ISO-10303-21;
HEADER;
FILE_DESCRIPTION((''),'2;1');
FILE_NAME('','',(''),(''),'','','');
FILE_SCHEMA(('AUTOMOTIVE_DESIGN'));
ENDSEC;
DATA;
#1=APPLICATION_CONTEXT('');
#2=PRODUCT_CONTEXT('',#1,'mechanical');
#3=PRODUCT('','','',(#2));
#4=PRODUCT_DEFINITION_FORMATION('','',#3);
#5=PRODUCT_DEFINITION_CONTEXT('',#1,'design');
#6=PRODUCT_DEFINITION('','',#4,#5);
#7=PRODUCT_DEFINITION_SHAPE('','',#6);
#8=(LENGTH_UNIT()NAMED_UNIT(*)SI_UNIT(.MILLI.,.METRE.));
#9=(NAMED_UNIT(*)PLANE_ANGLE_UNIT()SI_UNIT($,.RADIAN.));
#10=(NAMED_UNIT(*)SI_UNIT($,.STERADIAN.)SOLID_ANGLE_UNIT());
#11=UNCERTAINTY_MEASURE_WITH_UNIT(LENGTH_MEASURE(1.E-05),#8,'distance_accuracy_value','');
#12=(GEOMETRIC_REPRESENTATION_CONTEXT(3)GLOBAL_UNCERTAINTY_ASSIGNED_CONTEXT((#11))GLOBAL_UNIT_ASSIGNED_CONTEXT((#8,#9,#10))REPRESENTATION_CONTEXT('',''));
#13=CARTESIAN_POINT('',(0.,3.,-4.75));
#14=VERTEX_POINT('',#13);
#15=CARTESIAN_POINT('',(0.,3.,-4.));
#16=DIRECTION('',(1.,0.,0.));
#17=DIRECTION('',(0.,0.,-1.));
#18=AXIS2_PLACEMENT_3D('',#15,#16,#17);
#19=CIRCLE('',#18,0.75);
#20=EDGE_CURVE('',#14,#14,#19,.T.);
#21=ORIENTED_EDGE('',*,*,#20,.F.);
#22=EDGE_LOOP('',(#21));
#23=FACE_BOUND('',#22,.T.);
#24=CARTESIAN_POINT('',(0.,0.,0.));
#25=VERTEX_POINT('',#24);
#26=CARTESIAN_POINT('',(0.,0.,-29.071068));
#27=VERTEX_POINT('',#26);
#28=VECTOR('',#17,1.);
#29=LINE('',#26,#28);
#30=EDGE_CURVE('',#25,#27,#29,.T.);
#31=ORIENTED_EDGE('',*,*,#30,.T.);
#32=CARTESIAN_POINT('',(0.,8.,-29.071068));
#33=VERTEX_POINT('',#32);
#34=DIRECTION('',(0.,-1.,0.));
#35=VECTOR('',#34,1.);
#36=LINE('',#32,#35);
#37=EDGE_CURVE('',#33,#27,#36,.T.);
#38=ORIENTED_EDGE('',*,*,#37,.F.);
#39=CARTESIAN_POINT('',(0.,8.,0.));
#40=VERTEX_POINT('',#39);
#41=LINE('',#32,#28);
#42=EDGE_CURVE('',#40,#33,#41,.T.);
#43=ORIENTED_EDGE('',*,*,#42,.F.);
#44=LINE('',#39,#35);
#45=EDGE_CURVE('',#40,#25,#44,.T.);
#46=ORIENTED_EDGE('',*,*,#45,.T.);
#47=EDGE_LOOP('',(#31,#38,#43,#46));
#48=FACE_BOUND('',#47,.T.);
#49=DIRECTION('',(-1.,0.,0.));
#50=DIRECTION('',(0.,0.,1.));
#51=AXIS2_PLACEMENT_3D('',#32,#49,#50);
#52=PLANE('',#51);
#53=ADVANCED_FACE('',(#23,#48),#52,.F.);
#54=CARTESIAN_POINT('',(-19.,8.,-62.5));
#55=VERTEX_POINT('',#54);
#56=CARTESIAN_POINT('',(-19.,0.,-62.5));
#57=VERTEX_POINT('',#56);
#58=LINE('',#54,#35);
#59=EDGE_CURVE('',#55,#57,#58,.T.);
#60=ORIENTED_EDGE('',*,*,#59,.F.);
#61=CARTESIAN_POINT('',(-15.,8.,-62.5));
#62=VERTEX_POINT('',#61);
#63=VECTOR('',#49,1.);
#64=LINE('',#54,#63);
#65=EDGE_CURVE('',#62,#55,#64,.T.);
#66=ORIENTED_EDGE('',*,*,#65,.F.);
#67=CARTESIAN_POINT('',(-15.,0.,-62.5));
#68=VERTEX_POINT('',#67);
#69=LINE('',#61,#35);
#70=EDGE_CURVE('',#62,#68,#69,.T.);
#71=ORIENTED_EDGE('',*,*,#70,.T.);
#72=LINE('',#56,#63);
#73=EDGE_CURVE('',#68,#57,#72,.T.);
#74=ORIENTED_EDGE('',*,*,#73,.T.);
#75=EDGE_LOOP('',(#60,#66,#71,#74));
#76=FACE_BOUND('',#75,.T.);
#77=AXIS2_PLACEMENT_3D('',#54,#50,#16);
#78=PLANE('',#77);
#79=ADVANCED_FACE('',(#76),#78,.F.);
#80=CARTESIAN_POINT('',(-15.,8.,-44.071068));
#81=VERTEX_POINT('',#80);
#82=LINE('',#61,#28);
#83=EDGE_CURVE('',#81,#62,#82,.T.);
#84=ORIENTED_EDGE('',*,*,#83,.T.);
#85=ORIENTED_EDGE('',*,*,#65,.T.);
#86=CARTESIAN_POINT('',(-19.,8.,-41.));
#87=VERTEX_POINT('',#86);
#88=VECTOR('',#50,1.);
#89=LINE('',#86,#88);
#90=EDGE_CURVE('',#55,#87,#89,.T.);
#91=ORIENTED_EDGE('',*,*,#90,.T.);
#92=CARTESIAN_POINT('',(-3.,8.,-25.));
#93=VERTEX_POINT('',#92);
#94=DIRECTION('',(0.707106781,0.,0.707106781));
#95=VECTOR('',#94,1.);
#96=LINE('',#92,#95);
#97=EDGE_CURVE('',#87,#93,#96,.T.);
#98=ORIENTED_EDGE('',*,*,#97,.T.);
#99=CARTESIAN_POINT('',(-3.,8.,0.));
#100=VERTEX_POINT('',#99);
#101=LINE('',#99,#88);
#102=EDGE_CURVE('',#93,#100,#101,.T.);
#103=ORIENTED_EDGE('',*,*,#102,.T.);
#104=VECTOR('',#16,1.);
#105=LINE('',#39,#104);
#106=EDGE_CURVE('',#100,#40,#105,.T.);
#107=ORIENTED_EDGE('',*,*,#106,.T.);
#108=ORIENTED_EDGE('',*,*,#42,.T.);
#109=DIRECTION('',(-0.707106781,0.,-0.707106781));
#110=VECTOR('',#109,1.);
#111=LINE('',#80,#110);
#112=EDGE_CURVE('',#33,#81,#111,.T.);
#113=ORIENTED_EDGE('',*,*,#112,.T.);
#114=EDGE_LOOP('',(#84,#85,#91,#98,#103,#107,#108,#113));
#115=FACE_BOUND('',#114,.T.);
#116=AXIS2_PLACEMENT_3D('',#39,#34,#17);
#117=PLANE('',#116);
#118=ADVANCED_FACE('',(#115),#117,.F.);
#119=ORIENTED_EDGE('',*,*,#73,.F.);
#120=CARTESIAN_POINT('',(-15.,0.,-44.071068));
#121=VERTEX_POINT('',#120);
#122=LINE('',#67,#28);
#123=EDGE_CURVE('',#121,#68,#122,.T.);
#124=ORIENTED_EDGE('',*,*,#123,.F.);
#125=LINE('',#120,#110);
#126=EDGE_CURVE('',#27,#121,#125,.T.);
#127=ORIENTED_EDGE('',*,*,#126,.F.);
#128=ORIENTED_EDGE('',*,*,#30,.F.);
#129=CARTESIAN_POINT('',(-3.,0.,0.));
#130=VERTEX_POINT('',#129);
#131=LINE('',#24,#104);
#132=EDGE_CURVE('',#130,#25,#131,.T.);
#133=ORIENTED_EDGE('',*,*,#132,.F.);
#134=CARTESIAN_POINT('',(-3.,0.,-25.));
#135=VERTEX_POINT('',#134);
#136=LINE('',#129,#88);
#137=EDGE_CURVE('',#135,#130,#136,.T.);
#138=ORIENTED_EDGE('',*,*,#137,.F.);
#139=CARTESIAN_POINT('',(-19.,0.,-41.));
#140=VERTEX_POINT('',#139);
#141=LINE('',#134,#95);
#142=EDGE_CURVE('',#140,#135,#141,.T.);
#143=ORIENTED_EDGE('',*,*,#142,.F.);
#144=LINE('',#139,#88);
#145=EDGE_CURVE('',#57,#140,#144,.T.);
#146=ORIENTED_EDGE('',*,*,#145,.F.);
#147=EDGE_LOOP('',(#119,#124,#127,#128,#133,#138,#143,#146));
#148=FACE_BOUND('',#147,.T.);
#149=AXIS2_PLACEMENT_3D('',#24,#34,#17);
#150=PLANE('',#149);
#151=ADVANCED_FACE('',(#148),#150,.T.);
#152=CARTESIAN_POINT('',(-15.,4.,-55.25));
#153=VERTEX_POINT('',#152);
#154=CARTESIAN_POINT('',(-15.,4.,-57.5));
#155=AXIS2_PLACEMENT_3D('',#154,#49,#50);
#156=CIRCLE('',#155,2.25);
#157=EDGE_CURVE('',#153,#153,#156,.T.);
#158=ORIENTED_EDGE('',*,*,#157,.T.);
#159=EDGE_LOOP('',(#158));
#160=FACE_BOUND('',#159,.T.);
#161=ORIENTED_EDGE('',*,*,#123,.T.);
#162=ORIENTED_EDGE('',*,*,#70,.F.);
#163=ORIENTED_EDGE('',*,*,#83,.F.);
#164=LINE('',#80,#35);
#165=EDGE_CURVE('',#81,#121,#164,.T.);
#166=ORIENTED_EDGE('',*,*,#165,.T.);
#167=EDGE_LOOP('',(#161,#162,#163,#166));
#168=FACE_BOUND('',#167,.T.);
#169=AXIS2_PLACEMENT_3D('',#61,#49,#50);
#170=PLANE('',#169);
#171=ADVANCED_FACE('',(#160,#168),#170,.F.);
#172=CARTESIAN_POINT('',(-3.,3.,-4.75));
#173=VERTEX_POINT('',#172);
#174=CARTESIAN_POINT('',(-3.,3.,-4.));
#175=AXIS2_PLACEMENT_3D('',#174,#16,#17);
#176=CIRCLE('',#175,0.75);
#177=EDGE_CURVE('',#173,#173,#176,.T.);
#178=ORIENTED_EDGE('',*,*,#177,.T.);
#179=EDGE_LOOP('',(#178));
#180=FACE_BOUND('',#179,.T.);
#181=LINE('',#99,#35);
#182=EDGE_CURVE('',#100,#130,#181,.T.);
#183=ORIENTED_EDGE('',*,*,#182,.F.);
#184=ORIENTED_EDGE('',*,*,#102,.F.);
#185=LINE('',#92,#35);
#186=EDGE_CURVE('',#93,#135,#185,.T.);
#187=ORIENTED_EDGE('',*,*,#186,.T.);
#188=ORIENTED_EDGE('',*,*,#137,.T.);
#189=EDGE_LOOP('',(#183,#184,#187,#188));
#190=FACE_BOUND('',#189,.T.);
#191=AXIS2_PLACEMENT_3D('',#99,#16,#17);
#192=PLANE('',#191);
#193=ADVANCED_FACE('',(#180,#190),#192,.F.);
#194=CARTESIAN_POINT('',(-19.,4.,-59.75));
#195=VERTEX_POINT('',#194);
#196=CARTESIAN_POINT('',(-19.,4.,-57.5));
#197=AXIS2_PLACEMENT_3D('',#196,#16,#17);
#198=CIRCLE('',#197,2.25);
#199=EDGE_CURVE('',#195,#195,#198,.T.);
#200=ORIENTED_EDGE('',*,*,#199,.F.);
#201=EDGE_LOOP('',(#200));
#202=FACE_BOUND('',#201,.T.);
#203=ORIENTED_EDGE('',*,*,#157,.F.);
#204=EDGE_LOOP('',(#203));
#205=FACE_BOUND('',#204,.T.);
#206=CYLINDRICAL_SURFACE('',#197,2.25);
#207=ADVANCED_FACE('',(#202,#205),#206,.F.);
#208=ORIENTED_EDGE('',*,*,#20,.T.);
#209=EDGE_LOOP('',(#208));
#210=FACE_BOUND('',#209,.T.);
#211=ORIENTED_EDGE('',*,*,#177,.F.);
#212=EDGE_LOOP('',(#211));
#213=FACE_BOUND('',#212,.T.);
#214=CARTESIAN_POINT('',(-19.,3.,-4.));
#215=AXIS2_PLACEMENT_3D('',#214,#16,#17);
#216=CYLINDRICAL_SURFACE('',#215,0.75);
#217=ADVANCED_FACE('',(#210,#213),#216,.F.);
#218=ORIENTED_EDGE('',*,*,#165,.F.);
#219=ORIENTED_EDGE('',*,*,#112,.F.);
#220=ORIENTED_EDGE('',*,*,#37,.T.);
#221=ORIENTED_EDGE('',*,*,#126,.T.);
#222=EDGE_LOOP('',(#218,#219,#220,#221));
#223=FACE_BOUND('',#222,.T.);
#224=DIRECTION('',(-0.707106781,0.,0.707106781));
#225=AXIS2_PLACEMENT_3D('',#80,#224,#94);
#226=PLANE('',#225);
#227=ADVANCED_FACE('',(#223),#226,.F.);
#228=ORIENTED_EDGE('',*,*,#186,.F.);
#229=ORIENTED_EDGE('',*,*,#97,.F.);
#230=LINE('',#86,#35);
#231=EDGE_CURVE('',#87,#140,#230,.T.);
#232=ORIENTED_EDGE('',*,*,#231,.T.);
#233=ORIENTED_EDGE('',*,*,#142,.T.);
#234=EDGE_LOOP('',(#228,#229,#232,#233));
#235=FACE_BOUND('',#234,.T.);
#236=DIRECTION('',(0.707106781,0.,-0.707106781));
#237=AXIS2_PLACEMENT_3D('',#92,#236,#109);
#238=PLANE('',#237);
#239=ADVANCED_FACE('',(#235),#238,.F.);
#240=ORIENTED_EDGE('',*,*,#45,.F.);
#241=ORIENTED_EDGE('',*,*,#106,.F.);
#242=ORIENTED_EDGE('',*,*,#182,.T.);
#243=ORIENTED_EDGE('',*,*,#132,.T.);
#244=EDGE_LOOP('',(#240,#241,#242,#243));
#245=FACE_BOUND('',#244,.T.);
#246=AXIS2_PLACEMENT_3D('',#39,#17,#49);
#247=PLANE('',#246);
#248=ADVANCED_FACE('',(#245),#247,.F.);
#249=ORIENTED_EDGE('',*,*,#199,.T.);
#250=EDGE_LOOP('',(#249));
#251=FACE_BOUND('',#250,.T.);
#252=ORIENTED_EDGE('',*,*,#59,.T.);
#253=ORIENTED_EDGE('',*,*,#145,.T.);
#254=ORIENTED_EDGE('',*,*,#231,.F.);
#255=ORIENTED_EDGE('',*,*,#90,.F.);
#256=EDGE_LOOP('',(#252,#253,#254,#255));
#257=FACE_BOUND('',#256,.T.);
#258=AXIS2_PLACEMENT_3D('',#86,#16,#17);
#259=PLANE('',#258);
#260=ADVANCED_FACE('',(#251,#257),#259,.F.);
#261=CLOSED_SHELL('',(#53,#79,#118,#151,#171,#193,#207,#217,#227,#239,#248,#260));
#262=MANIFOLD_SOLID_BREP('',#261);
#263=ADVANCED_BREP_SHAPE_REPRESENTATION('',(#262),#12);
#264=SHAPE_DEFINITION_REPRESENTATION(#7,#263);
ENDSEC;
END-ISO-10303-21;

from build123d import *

# Parameters (mm, degrees)
BOSS_EXTRUDE1_DEPTH     = 8
SKETCH2_R               = 2.25
SKETCH2_R_2             = 0.75
CUT_EXTRUDE1_DEPTH      = 16
CUT_EXTRUDE1_DEPTH_BACK = 5


with BuildPart() as part:
    # Sketch1 → Boss-Extrude1 (new body)
    with BuildSketch(Plane(origin=(0, 0, 0), x_dir=(1, 0, 0), z_dir=(0, 1, 0))):
        Polygon((0, 0), (-3, 0), (-3, 25), (-19, 41), (-19, 62.5), (-15, 62.5), (-15, 44.071067812), (0, 29.071067812), align=None)
    extrude(amount=BOSS_EXTRUDE1_DEPTH)

    # Sketch2 → Cut-Extrude1 (cut, two sides)
    with BuildSketch(Plane(origin=(-15, 0, 0), x_dir=(0, 0, -1), z_dir=(1, 0, 0))) as cut_extrude1_sk:
        with Locations((57.5, 4)):
            Circle(SKETCH2_R)
        with Locations((4, 3)):
            Circle(SKETCH2_R_2)
    extrude(amount=CUT_EXTRUDE1_DEPTH, mode=Mode.SUBTRACT)
    extrude(cut_extrude1_sk.sketch, amount=-CUT_EXTRUDE1_DEPTH_BACK, mode=Mode.SUBTRACT)


solid = part.part
